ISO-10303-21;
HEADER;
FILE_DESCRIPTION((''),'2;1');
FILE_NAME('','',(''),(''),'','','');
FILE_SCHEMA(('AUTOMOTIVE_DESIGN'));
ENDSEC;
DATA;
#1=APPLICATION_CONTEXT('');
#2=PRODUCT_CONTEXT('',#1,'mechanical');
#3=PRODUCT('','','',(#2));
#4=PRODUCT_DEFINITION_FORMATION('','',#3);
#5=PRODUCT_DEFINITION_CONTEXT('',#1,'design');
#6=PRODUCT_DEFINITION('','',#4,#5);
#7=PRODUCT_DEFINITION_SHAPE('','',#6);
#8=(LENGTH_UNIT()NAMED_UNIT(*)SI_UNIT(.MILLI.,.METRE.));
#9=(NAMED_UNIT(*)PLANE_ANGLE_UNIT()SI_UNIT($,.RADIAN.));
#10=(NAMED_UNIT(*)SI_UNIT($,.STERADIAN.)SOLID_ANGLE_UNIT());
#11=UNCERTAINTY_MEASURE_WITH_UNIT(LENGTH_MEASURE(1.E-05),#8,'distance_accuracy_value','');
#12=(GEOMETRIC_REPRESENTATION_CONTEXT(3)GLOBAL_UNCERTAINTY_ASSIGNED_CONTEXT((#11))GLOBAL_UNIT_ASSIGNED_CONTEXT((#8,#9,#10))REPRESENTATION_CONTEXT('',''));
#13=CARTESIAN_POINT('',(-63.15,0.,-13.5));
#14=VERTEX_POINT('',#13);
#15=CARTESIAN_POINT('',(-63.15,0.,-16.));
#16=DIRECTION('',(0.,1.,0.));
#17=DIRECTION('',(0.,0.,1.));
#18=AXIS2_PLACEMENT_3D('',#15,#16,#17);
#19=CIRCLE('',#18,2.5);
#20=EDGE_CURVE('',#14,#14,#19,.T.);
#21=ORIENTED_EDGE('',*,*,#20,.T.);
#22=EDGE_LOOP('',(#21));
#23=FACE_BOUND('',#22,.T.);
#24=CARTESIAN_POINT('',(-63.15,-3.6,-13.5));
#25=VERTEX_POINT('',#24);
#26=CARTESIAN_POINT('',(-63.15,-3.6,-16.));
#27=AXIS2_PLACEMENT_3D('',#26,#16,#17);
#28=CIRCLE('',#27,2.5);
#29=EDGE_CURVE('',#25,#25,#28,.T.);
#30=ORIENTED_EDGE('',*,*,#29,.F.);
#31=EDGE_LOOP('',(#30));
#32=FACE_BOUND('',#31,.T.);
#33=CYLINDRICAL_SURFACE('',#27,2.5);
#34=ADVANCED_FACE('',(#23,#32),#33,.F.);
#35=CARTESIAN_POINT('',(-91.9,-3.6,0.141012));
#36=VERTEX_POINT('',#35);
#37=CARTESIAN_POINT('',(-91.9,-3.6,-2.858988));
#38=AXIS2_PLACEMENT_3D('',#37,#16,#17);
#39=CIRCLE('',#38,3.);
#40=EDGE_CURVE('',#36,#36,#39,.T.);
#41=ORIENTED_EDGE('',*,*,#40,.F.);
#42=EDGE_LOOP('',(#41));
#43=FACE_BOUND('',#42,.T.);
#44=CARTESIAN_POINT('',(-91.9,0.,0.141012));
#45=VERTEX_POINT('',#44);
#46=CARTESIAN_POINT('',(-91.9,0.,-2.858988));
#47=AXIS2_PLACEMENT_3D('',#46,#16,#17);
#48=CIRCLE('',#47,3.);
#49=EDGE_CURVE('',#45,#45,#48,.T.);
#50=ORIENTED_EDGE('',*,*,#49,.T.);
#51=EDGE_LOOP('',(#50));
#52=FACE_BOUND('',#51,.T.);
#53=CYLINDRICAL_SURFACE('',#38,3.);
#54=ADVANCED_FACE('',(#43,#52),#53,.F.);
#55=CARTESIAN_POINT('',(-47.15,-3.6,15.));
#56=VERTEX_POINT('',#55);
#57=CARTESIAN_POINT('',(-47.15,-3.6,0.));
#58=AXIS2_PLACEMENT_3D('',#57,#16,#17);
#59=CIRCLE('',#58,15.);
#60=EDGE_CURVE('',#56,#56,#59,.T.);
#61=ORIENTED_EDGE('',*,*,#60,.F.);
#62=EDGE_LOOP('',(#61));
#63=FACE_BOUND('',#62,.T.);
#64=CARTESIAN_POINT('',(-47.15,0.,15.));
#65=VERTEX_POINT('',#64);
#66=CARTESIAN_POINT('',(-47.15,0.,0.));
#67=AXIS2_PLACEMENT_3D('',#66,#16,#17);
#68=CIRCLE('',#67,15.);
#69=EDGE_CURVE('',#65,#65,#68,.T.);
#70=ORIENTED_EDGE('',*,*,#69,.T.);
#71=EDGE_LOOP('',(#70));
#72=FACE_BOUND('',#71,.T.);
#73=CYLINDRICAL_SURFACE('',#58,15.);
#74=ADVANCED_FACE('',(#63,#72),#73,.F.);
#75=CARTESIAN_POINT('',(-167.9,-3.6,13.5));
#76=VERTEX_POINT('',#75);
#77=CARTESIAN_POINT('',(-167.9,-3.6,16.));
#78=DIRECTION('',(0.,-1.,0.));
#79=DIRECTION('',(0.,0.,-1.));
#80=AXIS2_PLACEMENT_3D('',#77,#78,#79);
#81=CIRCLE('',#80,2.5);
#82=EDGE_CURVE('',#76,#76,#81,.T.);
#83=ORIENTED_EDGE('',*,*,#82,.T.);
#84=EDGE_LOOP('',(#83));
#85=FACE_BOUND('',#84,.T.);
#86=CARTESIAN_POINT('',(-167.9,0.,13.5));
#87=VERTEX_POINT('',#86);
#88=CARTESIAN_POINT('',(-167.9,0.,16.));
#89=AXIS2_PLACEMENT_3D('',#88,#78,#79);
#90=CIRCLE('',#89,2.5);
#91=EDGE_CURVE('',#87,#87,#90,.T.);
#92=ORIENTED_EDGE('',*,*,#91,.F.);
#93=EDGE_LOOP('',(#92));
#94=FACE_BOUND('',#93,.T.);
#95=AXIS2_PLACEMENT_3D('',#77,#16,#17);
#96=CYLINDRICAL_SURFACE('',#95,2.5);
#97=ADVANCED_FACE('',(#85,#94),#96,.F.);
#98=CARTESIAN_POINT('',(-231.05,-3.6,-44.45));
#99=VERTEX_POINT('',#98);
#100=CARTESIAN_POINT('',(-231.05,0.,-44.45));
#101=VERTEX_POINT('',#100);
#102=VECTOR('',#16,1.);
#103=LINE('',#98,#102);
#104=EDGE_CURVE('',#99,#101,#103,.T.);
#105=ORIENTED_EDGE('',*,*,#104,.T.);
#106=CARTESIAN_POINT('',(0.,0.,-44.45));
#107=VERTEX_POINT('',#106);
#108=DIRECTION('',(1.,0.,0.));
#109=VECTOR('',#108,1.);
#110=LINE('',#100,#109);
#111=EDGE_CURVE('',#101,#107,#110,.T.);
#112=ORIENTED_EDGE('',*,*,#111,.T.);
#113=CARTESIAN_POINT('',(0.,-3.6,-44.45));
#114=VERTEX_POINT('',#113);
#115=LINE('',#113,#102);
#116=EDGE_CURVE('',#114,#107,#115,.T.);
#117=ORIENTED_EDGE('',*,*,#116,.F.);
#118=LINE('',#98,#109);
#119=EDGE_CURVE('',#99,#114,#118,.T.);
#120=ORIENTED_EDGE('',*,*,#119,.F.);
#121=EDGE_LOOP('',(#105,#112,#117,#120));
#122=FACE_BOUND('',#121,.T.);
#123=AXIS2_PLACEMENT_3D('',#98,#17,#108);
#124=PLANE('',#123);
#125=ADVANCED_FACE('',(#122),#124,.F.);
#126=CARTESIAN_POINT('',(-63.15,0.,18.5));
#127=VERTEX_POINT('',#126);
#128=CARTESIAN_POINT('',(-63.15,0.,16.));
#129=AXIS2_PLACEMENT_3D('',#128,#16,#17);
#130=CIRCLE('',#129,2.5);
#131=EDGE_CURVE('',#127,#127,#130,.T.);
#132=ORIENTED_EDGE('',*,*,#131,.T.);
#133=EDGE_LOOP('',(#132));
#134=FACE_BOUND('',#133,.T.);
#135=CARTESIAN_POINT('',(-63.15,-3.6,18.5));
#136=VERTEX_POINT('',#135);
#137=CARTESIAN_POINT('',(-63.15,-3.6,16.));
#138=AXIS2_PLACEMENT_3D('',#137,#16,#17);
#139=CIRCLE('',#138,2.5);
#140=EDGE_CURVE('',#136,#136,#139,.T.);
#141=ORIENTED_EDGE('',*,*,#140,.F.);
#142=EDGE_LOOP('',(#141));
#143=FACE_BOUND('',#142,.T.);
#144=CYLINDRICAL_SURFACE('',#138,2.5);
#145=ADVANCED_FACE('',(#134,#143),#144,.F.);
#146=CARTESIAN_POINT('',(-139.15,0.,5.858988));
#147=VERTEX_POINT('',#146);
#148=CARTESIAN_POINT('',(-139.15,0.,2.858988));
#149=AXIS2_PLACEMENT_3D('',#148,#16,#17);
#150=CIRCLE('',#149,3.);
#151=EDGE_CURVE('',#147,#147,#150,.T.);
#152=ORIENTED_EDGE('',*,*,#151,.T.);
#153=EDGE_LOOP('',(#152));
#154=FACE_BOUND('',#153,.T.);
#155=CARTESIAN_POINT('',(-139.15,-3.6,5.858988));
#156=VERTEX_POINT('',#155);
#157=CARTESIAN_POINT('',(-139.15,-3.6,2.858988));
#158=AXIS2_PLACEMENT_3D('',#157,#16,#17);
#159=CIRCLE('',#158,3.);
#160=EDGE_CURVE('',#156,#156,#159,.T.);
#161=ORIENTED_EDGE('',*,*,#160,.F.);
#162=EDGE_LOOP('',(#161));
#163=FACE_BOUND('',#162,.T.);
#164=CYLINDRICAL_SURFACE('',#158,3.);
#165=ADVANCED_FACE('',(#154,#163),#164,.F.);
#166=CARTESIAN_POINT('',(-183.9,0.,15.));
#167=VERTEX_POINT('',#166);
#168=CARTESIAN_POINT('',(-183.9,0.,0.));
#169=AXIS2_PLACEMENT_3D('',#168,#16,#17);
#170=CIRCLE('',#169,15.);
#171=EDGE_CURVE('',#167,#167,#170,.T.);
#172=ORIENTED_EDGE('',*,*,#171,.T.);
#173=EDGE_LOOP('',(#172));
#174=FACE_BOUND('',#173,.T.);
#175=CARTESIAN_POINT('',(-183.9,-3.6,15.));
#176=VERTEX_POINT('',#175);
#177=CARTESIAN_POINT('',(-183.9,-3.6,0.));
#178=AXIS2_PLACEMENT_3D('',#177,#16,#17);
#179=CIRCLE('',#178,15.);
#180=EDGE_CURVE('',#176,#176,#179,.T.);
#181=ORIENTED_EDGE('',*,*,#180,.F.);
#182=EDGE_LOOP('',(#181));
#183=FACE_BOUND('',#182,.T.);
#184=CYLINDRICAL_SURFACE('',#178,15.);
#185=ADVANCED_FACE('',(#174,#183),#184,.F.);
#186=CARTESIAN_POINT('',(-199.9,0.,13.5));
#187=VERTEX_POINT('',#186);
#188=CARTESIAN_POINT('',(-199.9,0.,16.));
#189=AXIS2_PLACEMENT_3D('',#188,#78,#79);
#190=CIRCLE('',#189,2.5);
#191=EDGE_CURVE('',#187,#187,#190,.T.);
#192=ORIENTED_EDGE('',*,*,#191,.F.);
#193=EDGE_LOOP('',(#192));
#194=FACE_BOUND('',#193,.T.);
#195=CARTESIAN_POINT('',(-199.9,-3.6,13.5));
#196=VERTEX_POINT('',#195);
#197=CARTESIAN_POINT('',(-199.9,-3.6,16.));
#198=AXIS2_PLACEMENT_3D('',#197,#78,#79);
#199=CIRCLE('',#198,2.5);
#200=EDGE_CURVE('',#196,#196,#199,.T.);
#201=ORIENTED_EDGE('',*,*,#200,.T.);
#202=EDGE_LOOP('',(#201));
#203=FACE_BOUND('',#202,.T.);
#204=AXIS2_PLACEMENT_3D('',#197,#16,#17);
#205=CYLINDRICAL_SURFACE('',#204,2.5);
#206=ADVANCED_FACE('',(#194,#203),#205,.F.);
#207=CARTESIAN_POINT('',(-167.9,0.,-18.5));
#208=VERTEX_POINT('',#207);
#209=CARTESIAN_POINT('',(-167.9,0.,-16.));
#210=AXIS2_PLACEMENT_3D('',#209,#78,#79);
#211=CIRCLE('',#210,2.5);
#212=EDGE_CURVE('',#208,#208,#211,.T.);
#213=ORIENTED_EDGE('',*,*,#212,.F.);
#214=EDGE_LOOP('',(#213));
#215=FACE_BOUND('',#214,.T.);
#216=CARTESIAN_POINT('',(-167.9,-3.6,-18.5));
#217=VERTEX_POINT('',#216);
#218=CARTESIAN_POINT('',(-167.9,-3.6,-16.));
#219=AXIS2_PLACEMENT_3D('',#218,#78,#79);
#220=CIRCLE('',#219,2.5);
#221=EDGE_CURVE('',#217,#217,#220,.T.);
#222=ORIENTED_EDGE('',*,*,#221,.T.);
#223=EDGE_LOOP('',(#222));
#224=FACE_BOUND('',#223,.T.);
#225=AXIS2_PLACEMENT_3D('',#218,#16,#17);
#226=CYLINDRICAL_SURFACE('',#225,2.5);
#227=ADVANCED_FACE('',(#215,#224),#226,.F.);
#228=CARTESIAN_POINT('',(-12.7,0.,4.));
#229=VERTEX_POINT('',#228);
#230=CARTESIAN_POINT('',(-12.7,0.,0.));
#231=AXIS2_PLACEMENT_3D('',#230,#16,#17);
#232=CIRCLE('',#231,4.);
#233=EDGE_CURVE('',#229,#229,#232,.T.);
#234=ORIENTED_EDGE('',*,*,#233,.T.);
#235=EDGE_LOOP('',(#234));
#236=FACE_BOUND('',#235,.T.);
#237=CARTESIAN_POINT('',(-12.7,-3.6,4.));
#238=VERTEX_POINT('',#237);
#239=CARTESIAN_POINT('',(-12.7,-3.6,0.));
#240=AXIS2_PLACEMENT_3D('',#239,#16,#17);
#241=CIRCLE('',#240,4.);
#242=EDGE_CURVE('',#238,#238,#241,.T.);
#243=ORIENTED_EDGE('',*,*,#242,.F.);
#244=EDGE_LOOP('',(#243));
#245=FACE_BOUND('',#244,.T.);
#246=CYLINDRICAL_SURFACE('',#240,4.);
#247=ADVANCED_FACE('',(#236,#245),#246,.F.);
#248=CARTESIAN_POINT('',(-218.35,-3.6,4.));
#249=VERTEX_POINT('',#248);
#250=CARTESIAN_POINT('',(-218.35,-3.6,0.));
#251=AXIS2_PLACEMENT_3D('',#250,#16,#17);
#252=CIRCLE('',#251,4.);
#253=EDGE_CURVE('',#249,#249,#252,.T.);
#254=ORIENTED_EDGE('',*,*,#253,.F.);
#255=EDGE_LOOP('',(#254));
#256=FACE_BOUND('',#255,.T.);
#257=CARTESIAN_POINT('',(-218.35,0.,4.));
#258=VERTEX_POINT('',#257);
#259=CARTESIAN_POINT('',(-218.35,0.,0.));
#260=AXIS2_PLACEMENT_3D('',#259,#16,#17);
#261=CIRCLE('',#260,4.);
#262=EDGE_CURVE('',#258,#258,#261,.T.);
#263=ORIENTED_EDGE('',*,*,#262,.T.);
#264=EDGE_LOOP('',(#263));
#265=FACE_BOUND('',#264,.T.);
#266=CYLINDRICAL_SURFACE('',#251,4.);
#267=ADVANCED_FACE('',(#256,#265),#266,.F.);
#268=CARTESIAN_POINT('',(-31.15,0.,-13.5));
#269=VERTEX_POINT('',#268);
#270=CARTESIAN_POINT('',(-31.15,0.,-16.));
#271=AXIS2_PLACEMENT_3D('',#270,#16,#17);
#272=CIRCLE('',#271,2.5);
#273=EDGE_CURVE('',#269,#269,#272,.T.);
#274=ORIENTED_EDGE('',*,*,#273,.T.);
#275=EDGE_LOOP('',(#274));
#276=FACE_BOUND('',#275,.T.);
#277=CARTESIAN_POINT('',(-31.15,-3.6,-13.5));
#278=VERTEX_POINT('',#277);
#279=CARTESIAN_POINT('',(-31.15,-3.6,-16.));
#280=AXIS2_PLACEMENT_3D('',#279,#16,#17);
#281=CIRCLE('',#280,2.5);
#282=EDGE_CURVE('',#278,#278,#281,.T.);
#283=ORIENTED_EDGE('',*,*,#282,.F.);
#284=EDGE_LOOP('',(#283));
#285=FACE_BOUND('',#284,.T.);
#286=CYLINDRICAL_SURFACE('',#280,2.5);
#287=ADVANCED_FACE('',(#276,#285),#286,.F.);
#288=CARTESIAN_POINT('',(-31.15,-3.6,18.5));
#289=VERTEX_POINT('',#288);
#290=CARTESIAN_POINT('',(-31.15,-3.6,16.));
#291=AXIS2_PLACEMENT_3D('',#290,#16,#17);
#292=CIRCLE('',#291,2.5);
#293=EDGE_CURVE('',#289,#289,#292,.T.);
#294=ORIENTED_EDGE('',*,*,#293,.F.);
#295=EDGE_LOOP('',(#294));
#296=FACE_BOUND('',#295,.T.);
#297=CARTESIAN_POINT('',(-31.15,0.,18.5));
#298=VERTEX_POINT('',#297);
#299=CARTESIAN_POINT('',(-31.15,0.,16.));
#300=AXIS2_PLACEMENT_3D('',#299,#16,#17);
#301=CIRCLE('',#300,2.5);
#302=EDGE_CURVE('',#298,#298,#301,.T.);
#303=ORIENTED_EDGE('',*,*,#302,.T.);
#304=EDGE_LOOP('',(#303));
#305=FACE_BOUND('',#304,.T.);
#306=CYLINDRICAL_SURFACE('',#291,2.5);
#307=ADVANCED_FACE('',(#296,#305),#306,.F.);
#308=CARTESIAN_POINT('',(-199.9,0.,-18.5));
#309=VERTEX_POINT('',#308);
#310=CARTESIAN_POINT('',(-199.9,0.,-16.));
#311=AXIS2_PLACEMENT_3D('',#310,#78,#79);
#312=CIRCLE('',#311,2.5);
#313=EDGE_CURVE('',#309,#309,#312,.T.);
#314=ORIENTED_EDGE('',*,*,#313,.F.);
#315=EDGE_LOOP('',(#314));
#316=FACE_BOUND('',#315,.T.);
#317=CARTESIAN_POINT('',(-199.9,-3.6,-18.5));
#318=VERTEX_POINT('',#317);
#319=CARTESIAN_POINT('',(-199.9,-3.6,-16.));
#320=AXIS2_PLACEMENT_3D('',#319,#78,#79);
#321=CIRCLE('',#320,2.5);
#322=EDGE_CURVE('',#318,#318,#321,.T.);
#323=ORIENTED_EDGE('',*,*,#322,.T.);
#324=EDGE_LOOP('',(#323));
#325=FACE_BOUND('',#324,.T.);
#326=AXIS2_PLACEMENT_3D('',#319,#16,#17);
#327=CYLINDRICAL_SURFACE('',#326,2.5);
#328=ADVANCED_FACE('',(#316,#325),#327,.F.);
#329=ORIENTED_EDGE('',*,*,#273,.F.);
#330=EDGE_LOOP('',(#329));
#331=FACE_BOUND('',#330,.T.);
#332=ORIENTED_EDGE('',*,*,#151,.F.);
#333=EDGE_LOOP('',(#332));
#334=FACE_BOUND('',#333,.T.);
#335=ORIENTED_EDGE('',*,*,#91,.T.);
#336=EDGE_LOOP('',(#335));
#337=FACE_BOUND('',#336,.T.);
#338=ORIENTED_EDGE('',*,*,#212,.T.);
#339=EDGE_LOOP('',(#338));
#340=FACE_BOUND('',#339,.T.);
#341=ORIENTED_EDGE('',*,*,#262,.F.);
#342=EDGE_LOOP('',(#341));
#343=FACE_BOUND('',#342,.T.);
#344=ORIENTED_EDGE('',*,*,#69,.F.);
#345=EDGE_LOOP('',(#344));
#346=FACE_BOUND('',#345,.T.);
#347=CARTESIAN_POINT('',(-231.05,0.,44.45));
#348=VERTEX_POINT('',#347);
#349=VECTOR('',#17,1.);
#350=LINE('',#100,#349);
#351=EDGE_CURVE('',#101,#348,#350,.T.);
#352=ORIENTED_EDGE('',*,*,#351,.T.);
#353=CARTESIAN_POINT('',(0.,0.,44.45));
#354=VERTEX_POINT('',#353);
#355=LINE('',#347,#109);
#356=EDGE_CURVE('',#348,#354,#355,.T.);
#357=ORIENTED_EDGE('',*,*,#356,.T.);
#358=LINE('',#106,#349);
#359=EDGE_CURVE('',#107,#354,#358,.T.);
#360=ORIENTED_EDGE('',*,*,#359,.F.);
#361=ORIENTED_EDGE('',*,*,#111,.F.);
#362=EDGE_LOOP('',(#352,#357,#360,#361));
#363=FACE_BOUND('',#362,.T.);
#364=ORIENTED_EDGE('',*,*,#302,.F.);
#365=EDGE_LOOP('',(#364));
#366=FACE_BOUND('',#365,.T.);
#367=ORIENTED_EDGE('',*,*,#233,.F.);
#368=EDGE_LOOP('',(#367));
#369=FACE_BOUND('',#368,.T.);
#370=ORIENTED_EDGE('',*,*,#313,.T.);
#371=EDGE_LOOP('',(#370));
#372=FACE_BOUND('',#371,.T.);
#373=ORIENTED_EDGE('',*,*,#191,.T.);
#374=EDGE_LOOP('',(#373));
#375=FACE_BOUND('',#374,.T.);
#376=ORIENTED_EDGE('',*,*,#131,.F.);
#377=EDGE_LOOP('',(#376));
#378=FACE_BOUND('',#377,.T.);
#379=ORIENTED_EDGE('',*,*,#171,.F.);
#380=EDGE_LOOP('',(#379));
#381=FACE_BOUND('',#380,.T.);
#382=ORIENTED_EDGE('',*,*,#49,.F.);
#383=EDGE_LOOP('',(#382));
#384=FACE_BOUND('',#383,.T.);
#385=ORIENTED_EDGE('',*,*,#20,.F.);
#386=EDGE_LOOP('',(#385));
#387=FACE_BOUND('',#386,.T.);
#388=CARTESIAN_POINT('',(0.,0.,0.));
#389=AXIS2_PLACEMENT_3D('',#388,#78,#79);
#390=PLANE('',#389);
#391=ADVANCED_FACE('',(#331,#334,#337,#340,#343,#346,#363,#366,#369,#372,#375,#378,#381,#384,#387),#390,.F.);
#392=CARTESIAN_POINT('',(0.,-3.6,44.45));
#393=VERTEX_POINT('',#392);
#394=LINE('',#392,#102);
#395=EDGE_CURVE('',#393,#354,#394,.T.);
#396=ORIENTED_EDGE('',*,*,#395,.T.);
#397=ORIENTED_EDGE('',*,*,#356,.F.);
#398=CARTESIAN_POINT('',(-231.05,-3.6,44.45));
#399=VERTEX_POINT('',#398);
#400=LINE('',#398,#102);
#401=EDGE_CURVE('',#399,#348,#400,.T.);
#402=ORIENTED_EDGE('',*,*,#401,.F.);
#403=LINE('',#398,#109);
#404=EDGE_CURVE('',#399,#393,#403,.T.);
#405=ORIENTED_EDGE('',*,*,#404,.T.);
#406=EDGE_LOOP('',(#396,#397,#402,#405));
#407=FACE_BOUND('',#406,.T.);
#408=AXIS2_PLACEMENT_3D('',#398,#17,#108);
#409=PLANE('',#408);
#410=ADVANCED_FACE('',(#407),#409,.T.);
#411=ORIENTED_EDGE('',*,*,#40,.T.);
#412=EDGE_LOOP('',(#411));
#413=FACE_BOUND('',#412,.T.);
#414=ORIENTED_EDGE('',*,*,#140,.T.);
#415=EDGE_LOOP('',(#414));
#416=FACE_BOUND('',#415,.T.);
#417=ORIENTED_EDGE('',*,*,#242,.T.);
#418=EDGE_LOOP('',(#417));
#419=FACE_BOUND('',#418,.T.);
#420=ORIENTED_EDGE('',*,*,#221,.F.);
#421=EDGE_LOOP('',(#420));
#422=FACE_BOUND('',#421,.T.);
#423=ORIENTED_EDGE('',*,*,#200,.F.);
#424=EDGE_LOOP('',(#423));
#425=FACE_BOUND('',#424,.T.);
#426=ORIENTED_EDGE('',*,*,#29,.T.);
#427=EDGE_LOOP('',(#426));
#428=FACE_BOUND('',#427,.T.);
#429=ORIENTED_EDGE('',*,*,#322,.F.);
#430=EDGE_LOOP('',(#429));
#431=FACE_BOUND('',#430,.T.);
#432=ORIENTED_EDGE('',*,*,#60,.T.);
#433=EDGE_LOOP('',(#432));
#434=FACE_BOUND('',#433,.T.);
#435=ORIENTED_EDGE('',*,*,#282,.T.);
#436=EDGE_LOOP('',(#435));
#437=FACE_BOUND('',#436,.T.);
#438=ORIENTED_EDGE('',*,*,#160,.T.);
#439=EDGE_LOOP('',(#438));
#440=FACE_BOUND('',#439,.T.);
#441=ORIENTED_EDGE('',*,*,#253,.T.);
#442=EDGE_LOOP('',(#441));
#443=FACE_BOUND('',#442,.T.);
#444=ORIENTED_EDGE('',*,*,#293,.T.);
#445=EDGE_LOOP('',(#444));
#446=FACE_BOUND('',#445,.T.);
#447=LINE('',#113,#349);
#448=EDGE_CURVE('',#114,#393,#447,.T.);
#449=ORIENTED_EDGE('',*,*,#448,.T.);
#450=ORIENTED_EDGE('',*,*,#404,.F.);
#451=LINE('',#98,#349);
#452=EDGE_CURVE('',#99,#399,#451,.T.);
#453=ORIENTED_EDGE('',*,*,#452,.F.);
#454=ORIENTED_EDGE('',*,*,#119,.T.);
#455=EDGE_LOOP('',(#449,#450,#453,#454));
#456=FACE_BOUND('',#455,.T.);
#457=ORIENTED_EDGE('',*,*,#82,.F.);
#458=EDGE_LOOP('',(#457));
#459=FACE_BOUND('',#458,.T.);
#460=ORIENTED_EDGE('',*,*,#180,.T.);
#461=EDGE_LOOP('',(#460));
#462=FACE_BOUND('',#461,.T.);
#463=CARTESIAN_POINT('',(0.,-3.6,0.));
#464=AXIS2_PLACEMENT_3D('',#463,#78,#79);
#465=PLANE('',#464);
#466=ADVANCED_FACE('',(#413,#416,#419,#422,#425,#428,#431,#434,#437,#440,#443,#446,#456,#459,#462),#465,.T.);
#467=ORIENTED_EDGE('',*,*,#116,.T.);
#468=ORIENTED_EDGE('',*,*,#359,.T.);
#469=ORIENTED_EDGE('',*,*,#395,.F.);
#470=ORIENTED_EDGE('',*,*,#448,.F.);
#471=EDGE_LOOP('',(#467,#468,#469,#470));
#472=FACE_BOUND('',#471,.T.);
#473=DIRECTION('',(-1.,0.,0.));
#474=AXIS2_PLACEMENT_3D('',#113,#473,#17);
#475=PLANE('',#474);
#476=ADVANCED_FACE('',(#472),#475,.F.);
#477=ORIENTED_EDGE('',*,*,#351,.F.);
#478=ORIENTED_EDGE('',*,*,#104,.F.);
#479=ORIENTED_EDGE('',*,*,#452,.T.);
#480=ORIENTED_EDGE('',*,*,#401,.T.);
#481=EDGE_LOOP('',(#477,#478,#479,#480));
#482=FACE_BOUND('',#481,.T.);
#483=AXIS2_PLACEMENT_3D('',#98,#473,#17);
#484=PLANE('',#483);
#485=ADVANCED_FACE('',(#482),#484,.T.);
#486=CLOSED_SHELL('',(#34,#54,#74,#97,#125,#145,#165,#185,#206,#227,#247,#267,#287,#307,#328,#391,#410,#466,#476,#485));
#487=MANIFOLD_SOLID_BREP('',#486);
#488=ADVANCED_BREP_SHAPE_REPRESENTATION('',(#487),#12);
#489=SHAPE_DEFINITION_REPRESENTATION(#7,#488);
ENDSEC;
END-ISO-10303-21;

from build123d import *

# Parameters (mm, degrees)
SKETCH1_W           = 231.05
SKETCH1_H           = 88.9
SKETCH1_R           = 15
SKETCH1_R_2         = 2.5
SKETCH1_R_3         = 3
SKETCH1_R_4         = 4
BOSS_EXTRUDE1_DEPTH = 3.6


with BuildPart() as part:
    # Sketch1 → Boss-Extrude1 (new body)
    with BuildSketch(Plane(origin=(0, 0, 0), x_dir=(1, 0, 0), z_dir=(0, 1, 0))):
        with Locations((-115.525, 0)):
            Rectangle(SKETCH1_W, SKETCH1_H)
        with Locations((-183.9, 0)):
            Circle(SKETCH1_R, mode=Mode.SUBTRACT)
        with Locations((-47.15, 0)):
            Circle(SKETCH1_R, mode=Mode.SUBTRACT)
        with Locations((-63.15, -16)):
            Circle(SKETCH1_R_2, mode=Mode.SUBTRACT)
        with Locations((-31.15, -16)):
            Circle(SKETCH1_R_2, mode=Mode.SUBTRACT)
        with Locations((-31.15, 16)):
            Circle(SKETCH1_R_2, mode=Mode.SUBTRACT)
        with Locations((-63.15, 16)):
            Circle(SKETCH1_R_2, mode=Mode.SUBTRACT)
        with Locations((-167.9, 16)):
            Circle(SKETCH1_R_2, mode=Mode.SUBTRACT)
        with Locations((-199.9, 16)):
            Circle(SKETCH1_R_2, mode=Mode.SUBTRACT)
        with Locations((-199.9, -16)):
            Circle(SKETCH1_R_2, mode=Mode.SUBTRACT)
        with Locations((-167.9, -16)):
            Circle(SKETCH1_R_2, mode=Mode.SUBTRACT)
        with Locations((-139.15, -2.858987694)):
            Circle(SKETCH1_R_3, mode=Mode.SUBTRACT)
        with Locations((-91.9, 2.858987694)):
            Circle(SKETCH1_R_3, mode=Mode.SUBTRACT)
        with Locations((-218.35, 0)):
            Circle(SKETCH1_R_4, mode=Mode.SUBTRACT)
        with Locations((-12.7, 0)):
            Circle(SKETCH1_R_4, mode=Mode.SUBTRACT)
    extrude(amount=-BOSS_EXTRUDE1_DEPTH)


solid = part.part
